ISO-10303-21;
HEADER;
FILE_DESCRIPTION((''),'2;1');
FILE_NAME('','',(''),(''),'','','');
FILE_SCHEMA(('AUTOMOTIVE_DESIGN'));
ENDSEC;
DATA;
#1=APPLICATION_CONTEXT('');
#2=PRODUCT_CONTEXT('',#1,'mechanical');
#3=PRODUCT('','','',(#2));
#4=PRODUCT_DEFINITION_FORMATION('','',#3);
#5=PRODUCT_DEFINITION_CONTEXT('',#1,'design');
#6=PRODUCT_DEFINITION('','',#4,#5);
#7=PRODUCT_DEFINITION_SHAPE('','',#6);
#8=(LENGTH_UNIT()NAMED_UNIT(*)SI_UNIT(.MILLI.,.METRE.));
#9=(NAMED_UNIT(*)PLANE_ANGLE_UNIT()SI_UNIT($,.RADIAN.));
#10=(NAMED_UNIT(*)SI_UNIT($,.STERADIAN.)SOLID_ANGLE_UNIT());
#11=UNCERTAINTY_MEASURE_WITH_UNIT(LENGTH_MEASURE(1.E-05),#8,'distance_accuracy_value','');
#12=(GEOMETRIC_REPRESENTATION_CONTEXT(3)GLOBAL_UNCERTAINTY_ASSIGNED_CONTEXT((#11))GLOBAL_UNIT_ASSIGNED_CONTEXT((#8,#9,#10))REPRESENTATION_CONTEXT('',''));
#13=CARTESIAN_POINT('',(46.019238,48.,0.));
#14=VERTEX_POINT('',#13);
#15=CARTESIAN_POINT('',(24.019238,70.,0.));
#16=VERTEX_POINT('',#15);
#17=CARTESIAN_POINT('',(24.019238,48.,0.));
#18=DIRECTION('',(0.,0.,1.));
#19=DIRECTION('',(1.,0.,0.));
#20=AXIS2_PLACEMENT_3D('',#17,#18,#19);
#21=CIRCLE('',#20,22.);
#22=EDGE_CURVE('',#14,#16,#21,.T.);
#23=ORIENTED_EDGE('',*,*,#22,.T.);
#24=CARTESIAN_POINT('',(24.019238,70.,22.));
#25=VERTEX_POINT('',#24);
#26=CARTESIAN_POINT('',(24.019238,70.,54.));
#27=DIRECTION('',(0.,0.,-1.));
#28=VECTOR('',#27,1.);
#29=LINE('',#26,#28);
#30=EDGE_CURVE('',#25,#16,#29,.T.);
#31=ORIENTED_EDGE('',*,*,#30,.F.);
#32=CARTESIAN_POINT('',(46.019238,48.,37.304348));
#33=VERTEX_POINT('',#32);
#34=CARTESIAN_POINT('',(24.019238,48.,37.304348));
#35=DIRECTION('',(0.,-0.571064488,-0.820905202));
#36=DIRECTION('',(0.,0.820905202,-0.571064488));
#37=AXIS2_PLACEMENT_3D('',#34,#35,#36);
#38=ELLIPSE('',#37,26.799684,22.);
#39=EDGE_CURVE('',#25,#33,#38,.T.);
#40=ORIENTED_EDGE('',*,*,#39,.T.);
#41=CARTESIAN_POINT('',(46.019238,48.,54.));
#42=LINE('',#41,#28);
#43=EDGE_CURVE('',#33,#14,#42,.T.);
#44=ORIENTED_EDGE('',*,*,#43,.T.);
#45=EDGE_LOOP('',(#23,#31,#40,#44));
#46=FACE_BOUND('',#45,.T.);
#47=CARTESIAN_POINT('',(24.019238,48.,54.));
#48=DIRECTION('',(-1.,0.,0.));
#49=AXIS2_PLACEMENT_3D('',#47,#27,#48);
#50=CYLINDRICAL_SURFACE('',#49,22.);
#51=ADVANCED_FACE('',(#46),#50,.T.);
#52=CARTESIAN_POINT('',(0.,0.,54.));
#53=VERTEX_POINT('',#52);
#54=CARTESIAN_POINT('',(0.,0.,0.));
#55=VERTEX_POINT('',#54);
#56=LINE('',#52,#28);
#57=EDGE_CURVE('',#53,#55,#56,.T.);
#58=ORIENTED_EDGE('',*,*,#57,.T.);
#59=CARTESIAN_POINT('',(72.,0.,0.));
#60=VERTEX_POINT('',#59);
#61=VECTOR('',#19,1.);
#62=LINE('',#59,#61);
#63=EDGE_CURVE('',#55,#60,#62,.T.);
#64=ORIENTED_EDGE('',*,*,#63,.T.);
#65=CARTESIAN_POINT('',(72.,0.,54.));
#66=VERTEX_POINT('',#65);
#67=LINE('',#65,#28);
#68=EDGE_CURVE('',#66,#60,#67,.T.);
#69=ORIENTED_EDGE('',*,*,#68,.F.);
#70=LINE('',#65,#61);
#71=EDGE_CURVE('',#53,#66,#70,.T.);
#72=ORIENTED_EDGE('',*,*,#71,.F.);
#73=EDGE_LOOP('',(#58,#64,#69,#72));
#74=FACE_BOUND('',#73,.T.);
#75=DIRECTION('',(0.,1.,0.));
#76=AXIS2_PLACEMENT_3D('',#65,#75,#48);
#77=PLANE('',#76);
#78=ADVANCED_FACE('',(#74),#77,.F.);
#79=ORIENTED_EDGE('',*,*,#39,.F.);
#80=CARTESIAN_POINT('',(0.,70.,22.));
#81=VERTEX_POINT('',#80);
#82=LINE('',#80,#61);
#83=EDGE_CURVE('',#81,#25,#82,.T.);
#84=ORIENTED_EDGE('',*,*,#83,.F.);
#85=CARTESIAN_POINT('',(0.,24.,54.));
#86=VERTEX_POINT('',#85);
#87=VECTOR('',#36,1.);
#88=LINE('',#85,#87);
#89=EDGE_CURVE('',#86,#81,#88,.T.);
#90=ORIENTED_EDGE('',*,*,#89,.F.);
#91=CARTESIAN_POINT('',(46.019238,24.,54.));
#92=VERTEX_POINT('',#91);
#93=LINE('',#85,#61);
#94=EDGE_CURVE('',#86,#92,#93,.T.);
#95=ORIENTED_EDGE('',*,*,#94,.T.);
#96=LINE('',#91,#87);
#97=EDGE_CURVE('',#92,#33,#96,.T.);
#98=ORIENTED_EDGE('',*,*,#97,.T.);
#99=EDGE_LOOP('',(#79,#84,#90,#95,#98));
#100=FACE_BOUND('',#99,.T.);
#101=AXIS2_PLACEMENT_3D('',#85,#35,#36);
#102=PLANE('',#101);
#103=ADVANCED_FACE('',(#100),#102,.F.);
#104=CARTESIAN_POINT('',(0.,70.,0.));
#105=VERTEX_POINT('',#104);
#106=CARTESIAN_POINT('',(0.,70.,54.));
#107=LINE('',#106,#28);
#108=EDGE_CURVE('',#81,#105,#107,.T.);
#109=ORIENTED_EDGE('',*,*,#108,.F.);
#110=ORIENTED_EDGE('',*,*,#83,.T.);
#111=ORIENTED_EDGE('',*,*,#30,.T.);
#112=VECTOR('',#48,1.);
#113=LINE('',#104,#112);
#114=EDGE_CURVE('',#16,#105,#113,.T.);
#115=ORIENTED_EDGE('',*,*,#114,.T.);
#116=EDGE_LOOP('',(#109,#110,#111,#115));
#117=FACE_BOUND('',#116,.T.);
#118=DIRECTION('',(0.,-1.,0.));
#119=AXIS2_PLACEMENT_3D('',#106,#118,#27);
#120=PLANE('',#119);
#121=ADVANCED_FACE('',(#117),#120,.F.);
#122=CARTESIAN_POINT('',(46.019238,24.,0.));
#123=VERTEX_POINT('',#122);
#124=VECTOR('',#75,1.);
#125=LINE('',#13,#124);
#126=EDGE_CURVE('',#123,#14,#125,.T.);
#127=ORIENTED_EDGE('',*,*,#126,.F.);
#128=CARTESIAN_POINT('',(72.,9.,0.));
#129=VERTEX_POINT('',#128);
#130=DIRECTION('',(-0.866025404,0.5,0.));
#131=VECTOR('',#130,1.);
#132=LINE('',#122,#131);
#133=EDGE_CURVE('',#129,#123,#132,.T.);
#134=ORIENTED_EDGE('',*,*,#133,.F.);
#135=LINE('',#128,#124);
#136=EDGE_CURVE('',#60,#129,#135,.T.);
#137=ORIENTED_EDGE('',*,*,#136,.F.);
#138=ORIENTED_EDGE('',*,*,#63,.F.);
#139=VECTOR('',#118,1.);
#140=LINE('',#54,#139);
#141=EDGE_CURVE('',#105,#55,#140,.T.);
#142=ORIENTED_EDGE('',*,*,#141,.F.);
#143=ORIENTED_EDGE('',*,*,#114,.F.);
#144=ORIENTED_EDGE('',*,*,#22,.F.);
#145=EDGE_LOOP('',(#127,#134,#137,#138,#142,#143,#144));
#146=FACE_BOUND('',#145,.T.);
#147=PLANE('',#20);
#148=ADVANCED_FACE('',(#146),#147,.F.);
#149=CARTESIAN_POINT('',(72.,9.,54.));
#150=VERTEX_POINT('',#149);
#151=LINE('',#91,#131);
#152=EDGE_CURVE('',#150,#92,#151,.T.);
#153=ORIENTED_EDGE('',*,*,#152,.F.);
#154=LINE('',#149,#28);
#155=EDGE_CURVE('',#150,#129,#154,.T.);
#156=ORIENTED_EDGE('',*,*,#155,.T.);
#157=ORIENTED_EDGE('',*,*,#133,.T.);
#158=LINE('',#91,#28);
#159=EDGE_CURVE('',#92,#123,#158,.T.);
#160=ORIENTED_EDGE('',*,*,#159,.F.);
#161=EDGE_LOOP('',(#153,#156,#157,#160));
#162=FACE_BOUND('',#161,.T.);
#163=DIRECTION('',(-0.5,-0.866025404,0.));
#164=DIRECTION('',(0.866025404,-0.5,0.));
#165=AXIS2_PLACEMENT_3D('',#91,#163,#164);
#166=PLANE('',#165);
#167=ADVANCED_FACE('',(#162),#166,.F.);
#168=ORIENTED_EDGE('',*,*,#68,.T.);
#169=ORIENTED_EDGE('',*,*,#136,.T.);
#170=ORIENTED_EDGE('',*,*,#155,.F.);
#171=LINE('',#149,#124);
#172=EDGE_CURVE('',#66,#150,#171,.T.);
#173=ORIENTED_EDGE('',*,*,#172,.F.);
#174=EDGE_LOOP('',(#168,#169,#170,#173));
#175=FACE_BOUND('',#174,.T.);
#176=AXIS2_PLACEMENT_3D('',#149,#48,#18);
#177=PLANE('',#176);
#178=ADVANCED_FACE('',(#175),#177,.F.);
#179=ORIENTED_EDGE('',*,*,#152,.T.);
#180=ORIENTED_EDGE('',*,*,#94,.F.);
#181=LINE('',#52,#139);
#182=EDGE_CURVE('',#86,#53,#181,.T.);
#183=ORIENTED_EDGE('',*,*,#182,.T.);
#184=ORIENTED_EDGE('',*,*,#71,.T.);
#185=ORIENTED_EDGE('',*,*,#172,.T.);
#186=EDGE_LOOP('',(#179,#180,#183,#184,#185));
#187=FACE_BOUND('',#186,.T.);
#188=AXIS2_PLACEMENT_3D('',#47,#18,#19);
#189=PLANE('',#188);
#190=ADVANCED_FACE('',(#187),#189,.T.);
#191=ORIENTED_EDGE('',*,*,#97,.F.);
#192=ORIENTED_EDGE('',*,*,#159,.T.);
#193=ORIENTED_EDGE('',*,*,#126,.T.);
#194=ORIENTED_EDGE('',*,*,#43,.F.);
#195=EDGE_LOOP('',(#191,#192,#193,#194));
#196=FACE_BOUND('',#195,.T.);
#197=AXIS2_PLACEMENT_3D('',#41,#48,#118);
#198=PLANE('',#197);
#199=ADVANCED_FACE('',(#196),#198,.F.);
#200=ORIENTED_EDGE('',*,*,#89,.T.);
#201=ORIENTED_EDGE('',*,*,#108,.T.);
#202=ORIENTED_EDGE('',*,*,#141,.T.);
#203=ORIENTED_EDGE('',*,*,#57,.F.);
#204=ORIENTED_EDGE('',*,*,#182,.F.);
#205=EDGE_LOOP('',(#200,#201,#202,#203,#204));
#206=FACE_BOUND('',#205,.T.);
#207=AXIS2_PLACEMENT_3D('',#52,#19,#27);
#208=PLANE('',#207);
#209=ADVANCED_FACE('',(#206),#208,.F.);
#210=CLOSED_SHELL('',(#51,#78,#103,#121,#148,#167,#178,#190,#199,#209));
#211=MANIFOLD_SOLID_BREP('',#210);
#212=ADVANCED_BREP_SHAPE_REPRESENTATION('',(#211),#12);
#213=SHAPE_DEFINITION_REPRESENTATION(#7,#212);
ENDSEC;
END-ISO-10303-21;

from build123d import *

# Parameters (mm, degrees)
EXTRUDE1_DEPTH = 54
EXTRUDE2_DEPTH = 47.019237886


with BuildPart() as part:
    # Sketch1 → Extrude1 (new body)
    with BuildSketch(Plane.XY):
        with BuildLine():
            Line((0, 0), (0, 70))
            Line((0, 70), (24.019237886, 70))
            ThreePointArc((24.019237886, 70), (39.575587073, 63.556349186), (46.019237886, 48))
            Line((46.019237886, 48), (46.019237886, 24))
            Line((46.019237886, 24), (72, 9))
            Line((72, 9), (72, 0))
            Line((72, 0), (0, 0))
        make_face()
    extrude(amount=EXTRUDE1_DEPTH)

    # Sketch2 → Extrude2 (cut, through all)
    with BuildSketch(Plane(origin=(46.019237886, 0, 0), x_dir=(0, 0, -1), z_dir=(1, 0, 0))):
        Polygon((-54, 24), (-22, 70), (-54, 70), align=None)
    extrude(amount=-EXTRUDE2_DEPTH, mode=Mode.SUBTRACT)


solid = part.part
